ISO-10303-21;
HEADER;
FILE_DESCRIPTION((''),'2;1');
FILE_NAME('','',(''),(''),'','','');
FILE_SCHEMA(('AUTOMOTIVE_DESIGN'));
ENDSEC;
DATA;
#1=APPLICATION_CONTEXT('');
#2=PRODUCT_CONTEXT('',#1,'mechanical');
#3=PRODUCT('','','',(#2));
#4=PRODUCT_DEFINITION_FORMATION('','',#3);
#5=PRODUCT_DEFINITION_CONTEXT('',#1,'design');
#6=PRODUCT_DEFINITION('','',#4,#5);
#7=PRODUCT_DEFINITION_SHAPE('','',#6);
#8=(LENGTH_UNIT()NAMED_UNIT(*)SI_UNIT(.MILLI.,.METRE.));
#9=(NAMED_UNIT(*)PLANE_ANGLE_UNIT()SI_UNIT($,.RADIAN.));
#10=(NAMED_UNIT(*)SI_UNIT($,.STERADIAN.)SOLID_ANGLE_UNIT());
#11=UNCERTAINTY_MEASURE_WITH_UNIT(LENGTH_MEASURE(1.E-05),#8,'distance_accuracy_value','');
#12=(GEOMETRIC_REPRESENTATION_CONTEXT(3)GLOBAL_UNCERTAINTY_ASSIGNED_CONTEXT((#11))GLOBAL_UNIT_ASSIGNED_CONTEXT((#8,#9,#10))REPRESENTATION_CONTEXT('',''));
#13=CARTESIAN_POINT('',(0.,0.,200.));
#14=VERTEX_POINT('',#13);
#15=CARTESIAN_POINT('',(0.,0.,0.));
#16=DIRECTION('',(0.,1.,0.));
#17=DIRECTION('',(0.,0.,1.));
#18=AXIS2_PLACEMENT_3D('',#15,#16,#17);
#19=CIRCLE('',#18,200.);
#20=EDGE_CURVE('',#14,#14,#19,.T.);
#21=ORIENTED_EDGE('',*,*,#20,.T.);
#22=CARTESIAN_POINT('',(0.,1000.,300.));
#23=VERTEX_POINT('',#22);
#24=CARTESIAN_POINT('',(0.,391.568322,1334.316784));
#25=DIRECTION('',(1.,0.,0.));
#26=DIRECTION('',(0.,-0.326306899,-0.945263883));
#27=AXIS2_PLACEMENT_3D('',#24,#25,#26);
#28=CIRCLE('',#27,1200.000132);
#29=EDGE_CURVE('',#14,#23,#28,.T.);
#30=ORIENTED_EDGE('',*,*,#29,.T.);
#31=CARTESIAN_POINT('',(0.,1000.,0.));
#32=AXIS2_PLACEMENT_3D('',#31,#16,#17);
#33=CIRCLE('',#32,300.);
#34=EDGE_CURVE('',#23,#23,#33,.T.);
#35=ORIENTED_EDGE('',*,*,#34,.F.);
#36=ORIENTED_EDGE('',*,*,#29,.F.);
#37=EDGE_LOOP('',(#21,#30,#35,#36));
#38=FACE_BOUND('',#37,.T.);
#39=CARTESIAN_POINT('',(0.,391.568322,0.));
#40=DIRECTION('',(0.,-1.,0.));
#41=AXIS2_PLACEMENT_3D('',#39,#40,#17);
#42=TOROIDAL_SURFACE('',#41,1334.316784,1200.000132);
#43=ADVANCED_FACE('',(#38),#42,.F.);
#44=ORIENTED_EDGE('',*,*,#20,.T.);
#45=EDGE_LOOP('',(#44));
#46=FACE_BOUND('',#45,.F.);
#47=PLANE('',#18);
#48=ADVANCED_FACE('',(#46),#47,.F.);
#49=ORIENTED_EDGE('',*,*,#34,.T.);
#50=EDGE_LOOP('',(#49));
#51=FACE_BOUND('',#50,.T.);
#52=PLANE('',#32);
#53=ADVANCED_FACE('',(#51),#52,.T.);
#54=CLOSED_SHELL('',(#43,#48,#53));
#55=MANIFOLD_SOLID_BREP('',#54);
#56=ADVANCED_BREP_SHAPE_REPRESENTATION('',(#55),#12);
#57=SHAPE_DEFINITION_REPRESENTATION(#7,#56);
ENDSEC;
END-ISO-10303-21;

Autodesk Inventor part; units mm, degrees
ref_plane "YZ Plane" through (0, 0, 0) normal (1, 0, 0) x (0, 1, 0)
ref_plane "XZ Plane" through (0, 0, 0) normal (0, 1, 0) x (-1, 0, 0)
ref_plane "XY Plane" through (0, 0, 0) normal (0, 0, 1) x (1, 0, 0)
sketch "Sketch1" plane through (0, 0, 0) normal (1, 0, 0) x (0, 1, 0)
  line L0 (0, 200) -> (0, -200)
  line L1 (0, 0) -> (1000, 0)
  line L2 (1000, 300) -> (1000, -300)
  arc A0 (0, 200) -> (1000, 300) centre (391.5683, 1334.3166) ccw
  dimension "d0" = 400
  dimension "d1" = 1000
  dimension "d2" = 600
  dimension "d3" = 1200
revolve "Revolution1" add sketch "Sketch1" angle 360 about axis through (0, 0, 0) along (0, 1, 0)
properties part number "4xDisplay"
